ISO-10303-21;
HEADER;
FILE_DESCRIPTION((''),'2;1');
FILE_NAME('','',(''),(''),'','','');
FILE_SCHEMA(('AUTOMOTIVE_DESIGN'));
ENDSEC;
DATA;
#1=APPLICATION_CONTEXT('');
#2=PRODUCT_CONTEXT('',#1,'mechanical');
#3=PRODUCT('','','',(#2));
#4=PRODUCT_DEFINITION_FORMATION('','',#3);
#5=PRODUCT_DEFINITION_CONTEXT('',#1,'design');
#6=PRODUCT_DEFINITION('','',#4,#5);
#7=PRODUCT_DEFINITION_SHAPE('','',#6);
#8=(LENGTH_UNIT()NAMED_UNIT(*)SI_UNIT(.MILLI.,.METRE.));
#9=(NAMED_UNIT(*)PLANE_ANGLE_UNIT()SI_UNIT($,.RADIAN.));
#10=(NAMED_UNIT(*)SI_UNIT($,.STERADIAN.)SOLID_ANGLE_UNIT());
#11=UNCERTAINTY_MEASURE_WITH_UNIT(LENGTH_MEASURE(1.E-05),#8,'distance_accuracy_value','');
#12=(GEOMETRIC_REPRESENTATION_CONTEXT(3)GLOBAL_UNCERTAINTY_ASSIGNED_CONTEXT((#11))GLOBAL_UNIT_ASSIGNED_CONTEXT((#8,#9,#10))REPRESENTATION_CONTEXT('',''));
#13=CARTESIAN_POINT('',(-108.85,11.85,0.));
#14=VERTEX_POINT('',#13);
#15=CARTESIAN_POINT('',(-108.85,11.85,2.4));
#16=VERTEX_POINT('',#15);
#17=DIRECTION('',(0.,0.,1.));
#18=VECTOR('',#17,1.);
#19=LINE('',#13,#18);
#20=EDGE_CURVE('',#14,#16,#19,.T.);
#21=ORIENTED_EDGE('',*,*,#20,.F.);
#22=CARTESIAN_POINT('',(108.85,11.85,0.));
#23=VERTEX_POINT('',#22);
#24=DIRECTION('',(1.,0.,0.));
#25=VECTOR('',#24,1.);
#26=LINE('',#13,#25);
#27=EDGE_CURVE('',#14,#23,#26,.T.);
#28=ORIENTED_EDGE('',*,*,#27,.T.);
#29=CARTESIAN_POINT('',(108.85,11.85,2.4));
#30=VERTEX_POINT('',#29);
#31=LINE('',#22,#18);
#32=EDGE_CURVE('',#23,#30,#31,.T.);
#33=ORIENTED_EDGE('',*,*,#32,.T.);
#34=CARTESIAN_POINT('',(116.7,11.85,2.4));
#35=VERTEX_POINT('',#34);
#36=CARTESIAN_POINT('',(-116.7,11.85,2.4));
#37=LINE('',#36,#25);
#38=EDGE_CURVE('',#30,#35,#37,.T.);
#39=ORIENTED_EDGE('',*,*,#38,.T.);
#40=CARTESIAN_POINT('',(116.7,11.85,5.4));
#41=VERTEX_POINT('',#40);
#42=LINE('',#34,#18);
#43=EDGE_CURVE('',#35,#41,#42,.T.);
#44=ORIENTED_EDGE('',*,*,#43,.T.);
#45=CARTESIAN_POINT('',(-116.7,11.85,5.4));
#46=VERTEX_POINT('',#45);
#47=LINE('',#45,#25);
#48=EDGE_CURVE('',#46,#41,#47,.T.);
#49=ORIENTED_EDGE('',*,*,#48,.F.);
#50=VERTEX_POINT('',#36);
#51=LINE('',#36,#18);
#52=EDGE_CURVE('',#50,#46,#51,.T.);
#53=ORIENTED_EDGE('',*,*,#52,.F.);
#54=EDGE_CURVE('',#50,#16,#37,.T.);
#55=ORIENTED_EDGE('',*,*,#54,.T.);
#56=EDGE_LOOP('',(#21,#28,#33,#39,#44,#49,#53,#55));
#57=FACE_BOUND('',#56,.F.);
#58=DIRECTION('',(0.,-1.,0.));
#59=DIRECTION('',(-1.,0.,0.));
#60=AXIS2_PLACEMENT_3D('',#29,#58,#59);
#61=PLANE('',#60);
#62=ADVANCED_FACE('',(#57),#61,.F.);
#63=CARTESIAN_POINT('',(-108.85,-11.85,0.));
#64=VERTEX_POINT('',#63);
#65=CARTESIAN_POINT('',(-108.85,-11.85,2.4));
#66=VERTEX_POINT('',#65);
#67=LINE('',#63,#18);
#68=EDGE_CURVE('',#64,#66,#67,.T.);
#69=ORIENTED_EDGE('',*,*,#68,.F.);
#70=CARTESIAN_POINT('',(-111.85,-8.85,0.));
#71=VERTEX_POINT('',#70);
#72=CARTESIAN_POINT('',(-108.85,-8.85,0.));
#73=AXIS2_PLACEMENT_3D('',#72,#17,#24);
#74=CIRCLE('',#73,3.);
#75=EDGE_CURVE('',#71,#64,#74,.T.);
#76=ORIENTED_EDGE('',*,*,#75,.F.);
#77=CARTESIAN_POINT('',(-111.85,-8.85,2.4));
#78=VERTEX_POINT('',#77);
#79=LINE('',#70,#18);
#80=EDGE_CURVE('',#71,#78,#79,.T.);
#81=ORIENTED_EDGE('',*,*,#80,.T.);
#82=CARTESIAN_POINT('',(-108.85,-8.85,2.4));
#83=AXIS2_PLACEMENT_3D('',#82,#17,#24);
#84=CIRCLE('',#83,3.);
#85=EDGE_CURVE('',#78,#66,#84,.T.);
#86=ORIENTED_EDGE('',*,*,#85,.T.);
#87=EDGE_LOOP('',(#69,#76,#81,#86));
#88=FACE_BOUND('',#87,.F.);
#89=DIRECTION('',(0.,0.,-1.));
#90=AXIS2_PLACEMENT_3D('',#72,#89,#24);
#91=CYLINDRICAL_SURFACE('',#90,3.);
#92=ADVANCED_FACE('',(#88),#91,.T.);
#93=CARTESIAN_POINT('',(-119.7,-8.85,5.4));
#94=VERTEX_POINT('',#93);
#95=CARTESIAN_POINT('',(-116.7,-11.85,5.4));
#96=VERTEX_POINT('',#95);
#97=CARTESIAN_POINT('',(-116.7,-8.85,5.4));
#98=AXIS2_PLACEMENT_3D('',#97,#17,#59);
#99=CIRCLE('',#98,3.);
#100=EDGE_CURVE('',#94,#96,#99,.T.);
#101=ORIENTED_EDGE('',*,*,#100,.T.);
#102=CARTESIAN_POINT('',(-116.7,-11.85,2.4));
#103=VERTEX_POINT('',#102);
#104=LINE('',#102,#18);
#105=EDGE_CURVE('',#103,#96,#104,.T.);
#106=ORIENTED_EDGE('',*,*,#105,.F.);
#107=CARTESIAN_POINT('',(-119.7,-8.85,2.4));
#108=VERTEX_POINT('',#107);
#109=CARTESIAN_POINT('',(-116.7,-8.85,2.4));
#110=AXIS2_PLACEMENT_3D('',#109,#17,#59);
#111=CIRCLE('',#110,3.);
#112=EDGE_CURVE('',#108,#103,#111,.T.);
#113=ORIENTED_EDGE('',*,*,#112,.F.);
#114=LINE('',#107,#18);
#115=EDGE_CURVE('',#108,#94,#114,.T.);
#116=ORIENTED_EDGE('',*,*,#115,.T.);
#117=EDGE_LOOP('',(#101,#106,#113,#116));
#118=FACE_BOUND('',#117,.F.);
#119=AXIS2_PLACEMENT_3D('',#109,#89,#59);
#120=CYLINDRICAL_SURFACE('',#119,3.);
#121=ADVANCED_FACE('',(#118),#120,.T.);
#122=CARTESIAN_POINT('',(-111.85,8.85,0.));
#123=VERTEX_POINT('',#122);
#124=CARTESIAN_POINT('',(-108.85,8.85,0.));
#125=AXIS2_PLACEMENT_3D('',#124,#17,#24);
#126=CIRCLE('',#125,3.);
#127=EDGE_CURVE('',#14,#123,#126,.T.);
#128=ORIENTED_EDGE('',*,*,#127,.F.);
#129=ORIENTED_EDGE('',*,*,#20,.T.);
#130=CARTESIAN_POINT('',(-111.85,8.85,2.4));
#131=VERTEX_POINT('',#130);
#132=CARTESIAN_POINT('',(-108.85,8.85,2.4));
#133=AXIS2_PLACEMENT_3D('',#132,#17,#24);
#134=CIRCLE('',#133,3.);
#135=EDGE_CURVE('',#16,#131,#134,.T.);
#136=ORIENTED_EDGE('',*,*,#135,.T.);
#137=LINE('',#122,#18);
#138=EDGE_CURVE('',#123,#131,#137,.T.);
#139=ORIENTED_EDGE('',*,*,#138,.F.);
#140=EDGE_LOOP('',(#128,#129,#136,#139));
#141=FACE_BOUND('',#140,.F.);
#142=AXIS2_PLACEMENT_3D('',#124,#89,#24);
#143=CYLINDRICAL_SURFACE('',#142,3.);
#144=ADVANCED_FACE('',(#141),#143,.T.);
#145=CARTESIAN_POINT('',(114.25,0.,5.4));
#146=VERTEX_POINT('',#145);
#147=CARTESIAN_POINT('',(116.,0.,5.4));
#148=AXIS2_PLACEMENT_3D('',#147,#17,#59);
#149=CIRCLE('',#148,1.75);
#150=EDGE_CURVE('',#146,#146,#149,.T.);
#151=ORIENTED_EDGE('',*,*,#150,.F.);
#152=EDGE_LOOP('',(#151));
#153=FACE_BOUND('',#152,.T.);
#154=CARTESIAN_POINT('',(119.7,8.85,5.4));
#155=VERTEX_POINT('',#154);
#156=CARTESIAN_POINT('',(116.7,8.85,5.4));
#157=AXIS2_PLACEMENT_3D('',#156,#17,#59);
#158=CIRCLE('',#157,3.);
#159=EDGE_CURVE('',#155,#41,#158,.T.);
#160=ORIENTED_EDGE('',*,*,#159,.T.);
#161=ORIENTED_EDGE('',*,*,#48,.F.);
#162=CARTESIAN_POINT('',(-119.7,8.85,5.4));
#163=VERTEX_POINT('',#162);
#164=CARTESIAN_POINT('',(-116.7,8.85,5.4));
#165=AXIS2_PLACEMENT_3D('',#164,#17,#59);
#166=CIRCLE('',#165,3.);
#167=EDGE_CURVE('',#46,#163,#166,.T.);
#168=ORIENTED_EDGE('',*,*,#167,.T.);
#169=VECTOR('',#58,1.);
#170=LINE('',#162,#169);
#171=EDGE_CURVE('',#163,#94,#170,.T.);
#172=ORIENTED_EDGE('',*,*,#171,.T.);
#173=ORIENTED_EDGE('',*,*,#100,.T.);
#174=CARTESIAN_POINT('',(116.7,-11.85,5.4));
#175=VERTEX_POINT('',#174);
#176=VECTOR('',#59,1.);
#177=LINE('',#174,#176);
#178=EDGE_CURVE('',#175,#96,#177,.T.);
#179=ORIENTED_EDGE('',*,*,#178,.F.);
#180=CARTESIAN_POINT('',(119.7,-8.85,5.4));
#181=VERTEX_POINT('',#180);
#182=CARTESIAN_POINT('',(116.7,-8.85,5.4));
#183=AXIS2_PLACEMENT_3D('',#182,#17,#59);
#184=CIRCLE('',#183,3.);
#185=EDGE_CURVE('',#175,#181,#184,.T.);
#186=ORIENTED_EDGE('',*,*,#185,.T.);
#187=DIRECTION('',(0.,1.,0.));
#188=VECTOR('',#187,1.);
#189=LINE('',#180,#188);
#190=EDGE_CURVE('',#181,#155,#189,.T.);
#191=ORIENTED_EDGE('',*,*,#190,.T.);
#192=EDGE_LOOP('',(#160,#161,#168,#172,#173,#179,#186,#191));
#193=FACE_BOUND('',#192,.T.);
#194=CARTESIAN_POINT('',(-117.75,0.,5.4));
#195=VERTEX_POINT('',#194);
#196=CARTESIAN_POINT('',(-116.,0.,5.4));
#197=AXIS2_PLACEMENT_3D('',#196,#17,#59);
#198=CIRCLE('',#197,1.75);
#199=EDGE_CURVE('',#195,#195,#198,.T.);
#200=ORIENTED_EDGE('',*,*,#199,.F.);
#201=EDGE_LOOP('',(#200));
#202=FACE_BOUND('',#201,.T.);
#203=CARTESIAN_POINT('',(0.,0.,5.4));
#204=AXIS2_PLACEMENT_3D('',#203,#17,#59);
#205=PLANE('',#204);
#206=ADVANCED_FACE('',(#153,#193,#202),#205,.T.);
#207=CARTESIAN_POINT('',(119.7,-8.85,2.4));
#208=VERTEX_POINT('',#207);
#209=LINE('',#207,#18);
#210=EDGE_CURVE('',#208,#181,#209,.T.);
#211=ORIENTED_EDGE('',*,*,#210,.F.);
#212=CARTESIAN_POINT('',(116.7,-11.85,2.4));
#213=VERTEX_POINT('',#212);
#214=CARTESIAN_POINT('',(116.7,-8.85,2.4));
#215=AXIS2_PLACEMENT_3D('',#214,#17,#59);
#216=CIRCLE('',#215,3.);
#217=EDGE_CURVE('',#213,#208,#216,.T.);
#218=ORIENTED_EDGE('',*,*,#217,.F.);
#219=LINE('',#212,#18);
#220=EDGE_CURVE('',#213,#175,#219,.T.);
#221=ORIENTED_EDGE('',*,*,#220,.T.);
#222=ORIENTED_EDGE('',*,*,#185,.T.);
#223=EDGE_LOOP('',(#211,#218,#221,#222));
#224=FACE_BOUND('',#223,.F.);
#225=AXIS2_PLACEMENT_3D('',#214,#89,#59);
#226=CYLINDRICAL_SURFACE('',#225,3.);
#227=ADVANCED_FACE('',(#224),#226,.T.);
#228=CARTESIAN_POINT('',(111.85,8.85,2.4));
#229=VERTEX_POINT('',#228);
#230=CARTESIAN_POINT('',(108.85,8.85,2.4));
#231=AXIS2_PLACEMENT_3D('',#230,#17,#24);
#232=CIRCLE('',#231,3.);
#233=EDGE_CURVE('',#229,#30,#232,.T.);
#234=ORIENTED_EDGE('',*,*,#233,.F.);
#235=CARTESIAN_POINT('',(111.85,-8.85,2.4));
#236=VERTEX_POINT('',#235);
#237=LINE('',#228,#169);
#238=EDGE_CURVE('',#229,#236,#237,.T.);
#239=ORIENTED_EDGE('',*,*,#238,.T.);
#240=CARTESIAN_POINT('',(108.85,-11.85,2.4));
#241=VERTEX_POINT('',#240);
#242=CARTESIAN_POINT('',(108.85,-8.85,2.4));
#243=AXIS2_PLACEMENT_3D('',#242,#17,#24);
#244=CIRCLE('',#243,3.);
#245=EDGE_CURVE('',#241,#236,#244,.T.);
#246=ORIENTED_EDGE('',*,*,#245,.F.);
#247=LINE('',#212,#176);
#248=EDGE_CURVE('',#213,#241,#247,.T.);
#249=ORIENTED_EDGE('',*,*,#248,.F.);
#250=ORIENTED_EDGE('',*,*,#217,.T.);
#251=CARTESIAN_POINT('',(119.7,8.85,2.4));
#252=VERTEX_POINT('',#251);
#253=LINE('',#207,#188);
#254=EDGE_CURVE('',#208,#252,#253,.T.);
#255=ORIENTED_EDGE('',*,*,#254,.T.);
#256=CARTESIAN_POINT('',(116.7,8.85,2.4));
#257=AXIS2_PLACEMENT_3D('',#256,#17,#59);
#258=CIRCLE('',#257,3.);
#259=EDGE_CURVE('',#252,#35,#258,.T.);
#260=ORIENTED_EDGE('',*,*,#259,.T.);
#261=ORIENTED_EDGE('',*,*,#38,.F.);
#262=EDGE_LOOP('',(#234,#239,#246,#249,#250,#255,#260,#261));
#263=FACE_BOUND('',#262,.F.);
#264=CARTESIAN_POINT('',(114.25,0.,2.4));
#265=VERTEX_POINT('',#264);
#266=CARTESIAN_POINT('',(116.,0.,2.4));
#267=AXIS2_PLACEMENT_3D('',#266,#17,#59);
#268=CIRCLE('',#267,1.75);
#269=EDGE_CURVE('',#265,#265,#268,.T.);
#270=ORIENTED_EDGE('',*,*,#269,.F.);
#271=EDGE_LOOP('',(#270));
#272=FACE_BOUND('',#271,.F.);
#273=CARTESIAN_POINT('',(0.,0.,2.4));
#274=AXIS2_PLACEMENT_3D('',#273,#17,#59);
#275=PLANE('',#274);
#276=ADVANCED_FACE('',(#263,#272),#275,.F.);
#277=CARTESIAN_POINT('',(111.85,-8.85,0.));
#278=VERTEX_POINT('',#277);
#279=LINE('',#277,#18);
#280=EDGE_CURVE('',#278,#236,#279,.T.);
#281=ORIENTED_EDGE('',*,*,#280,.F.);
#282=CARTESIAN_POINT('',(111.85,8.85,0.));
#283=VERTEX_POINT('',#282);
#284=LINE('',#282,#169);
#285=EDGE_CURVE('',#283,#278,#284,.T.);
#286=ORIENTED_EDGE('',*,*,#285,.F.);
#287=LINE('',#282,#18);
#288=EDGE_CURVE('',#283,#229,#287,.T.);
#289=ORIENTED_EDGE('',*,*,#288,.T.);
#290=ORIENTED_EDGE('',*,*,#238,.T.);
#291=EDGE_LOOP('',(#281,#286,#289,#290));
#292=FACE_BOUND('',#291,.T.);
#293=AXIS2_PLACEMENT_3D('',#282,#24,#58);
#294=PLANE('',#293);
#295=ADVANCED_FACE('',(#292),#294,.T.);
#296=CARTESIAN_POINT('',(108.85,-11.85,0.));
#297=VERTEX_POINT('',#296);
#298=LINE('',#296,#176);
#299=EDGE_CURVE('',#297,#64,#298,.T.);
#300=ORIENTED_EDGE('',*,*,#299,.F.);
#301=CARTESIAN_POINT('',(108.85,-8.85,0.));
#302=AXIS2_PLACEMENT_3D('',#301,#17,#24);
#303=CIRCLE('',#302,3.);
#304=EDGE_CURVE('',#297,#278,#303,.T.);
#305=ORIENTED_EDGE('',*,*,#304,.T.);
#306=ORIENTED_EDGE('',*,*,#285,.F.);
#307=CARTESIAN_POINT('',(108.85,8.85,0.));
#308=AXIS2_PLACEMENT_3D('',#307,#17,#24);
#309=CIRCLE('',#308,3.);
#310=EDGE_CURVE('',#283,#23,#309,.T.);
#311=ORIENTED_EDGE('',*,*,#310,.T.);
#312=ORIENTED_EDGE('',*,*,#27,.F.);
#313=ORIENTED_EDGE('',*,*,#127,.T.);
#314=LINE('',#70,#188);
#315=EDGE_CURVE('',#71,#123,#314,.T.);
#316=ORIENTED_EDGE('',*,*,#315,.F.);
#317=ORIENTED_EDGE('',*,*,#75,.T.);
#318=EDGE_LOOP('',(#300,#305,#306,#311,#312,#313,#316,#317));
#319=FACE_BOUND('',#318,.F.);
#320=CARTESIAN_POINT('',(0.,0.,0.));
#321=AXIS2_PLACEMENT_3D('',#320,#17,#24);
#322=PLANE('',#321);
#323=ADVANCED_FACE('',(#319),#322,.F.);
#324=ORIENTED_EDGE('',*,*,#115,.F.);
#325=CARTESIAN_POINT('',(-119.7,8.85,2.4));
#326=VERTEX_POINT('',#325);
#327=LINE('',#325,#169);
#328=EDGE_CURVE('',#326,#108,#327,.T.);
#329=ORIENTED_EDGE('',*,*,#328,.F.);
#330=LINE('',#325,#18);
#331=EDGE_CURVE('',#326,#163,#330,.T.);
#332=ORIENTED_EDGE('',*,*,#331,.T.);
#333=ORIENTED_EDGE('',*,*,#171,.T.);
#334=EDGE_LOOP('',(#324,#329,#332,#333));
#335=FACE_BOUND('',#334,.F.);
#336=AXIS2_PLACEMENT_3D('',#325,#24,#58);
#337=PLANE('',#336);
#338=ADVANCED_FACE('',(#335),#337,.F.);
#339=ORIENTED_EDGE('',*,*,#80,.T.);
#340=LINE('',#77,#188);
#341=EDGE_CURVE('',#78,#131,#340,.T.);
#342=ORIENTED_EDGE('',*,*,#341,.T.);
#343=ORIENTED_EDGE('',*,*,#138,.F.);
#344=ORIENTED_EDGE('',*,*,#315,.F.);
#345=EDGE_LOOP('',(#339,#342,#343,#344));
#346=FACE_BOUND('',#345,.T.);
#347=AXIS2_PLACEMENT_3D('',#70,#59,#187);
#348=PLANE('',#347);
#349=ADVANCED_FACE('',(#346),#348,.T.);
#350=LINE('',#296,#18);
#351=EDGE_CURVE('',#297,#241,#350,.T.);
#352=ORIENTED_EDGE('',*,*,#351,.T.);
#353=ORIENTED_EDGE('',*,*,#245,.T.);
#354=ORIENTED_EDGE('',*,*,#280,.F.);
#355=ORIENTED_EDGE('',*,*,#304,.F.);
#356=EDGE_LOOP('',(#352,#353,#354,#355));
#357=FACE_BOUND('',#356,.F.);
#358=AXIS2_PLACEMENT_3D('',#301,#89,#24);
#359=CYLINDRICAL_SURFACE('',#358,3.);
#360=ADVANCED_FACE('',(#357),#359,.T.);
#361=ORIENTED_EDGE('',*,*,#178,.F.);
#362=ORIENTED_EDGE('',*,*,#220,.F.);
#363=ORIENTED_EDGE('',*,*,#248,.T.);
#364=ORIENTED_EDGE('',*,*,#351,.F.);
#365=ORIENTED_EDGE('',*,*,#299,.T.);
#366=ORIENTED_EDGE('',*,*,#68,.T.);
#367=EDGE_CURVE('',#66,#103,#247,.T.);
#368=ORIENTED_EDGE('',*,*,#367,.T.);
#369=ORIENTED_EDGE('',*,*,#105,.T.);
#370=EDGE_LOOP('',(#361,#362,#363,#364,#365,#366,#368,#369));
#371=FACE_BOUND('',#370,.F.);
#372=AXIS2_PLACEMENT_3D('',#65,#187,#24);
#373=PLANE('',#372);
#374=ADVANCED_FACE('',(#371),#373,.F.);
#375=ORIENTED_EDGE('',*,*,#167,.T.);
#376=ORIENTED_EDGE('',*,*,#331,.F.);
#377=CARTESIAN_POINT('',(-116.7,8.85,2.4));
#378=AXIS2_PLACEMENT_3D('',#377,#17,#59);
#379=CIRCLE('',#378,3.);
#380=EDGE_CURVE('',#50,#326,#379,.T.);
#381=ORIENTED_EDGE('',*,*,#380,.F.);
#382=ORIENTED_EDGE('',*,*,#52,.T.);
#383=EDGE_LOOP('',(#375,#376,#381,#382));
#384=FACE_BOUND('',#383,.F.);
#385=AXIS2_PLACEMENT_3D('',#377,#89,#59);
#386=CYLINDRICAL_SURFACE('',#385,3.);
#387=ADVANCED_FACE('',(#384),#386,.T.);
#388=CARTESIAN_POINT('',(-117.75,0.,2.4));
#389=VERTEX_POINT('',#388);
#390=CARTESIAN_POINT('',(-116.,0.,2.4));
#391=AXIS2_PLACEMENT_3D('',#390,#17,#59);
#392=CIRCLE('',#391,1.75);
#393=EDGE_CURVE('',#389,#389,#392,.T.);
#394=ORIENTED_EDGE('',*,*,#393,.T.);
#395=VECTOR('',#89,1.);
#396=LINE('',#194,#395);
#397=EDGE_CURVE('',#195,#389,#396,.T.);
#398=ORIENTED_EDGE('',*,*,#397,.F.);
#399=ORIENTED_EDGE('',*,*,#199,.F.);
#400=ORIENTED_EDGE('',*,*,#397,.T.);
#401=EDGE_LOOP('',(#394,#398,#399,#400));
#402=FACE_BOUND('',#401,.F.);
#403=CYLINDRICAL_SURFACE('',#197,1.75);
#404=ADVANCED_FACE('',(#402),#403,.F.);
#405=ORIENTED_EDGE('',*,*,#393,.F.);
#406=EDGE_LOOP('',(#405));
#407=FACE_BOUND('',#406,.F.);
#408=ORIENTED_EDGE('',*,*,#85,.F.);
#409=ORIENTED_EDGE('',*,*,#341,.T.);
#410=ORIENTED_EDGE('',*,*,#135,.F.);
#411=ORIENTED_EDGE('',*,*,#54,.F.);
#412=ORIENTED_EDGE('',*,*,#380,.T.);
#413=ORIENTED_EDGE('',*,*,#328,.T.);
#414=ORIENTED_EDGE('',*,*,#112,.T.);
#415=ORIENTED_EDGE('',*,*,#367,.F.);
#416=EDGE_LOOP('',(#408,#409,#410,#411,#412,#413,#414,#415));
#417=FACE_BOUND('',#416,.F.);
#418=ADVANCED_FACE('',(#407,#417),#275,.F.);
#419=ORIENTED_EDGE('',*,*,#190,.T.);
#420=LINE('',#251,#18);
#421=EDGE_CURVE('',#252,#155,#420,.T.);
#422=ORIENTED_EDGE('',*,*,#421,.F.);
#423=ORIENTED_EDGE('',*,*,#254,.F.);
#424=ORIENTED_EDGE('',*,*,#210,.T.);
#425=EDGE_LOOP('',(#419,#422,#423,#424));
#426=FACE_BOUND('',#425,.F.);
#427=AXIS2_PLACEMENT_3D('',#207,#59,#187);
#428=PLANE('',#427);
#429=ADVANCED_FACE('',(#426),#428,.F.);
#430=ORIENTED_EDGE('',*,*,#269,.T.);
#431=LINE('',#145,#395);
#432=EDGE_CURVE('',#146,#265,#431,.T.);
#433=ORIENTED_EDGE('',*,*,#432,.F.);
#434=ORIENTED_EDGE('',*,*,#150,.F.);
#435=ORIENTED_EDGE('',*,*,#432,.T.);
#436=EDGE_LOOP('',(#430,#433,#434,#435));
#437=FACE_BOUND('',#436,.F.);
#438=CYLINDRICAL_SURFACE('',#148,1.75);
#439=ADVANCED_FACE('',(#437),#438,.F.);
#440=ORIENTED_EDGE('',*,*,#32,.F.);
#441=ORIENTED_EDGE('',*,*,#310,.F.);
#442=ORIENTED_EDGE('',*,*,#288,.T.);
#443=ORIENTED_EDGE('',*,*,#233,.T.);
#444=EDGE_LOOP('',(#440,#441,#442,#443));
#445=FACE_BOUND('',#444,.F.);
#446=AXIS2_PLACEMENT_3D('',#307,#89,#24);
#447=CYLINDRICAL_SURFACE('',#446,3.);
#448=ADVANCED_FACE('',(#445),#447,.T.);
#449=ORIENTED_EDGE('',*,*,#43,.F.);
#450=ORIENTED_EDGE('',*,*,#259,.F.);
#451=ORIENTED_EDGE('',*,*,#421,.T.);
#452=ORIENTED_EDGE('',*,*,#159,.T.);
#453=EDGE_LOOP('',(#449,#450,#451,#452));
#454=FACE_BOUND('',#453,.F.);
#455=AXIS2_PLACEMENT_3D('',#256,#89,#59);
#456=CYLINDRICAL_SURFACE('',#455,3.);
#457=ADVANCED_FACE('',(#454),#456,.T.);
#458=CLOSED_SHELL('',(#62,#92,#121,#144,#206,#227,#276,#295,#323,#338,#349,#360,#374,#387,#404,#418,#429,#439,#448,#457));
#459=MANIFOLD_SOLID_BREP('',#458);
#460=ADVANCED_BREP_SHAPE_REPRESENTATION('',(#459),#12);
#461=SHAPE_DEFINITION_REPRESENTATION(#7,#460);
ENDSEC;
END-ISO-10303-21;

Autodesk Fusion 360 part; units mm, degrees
sketch "Sketch1" plane through (0, 0, 0) normal (0, 0, 1) x (1, 0, 0)
  circle A0 centre (-108.85, 8.85) radius 3
  circle A1 centre (-108.85, -8.85) radius 3
  circle A2 centre (108.85, 8.85) radius 3
  circle A3 centre (108.85, -8.85) radius 3
  line L0 (-128.9727, 0) -> (128.9727, 0) construction
  line L1 (0, 49.8209) -> (0, -49.8209) construction
  line L2 (-108.85, 11.85) -> (108.85, 11.85)
  line L3 (111.85, 8.85) -> (111.85, -8.85)
  line L4 (108.85, -11.85) -> (-108.85, -11.85)
  line L5 (-111.85, -8.85) -> (-111.85, 8.85)
  dimension "d1" = 6
  dimension "d2" = 6
  dimension "d3" = 6
  dimension "d4" = 6
  dimension "d5" = 17.7
  dimension "d6" = 217.7
  dimension "d50" = 23.7
  dimension "d51" = 223.7
extrude "Extrude1" add sketch "Sketch1" along normal blind 2.4
sketch "Sketch2" plane through (0, 0, 2.4) normal (0, 0, 1) x (-1, 0, 0)
  arc A0 (-108.85, 11.85) -> (-111.85, 8.85) centre (-108.85, 8.85) ccw
  line L0 (-111.85, 8.85) -> (-111.85, -8.85)
  arc A1 (-111.85, -8.85) -> (-108.85, -11.85) centre (-108.85, -8.85) ccw
  line L1 (-108.85, -11.85) -> (108.85, -11.85)
  arc A2 (108.85, -11.85) -> (111.85, -8.85) centre (108.85, -8.85) ccw
  line L2 (111.85, -8.85) -> (111.85, 8.85)
  arc A3 (111.85, 8.85) -> (108.85, 11.85) centre (108.85, 8.85) ccw
  line L3 (108.85, 11.85) -> (-108.85, 11.85)
  line L4 (150.244, 0) -> (144.5168, 0)
  line L5 (144.5168, 0) -> (-144.5168, 0) construction
  line L6 (0, -32.2256) -> (0, 32.2256) construction
  circle A4 centre (116.7, -8.85) radius 3
  circle A5 centre (116.7, 8.85) radius 3
  circle A6 centre (-116.7, -8.85) radius 3
  circle A7 centre (-116.7, 8.85) radius 3
  circle A8 centre (108.85, -8.85) radius 3
  circle A9 centre (108.85, 8.85) radius 3
  circle A10 centre (-108.85, -8.85) radius 3
  circle A11 centre (-108.85, 8.85) radius 3
  line L7 (119.7, -8.85) -> (119.7, 8.85)
  line L8 (116.7, 11.85) -> (-116.7, 11.85)
  line L9 (-119.7, 8.85) -> (-119.7, -8.85)
  line L10 (-116.7, -11.85) -> (-115.6655, -11.85)
  line L11 (-115.6655, -11.85) -> (116.7, -11.85)
  dimension "d9" = 6
  dimension "d10" = 6
  dimension "d11" = 6
  dimension "d12" = 6
  dimension "d13" = 6
  dimension "d14" = 6
  dimension "d15" = 6
  dimension "d16" = 6
  dimension "d18" = 7.85
extrude "Extrude2" add sketch "Sketch2" along normal blind 3
sketch "Sketch3" plane through (0, 0, 5.4) normal (0, 0, 1) x (-1, 0, 0)
  line L0 (-116.7, -11.85) -> (116.7, -11.85)
  arc A0 (116.7, -11.85) -> (119.7, -8.85) centre (116.7, -8.85) ccw
  line L1 (119.7, -8.85) -> (119.7, 8.85)
  arc A1 (119.7, 8.85) -> (116.7, 11.85) centre (116.7, 8.85) ccw
  line L2 (116.7, 11.85) -> (-116.7, 11.85)
  arc A2 (-116.7, 11.85) -> (-119.7, 8.85) centre (-116.7, 8.85) ccw
  line L3 (-119.7, 8.85) -> (-119.7, -8.85)
  arc A3 (-119.7, -8.85) -> (-116.7, -11.85) centre (-116.7, -8.85) ccw
  circle A4 centre (116, 0) radius 1.75
  circle A5 centre (-116, 0) radius 1.75
  line L4 (0, -34.4653) -> (0, -31.8477)
  line L5 (0, -31.8477) -> (0, 31.8477) construction
  dimension "d21" = 3.5
  dimension "d22" = 3.5
  dimension "d23" = 11.85
  dimension "d24" = 3.7
  dimension "d52" = 231.7
extrude "Extrude3" cut sketch "Sketch3" against normal blind 6 contours A4 | A5
equation "d2 = d1"
equation "d3 = d1"
equation "d4 = d1"
equation "d10 = d9"
equation "d11 = d9"
equation "d12 = d9"
equation "d14 = d13"
equation "d15 = d13"
equation "d16 = d13"
equation "d22 = d21"
